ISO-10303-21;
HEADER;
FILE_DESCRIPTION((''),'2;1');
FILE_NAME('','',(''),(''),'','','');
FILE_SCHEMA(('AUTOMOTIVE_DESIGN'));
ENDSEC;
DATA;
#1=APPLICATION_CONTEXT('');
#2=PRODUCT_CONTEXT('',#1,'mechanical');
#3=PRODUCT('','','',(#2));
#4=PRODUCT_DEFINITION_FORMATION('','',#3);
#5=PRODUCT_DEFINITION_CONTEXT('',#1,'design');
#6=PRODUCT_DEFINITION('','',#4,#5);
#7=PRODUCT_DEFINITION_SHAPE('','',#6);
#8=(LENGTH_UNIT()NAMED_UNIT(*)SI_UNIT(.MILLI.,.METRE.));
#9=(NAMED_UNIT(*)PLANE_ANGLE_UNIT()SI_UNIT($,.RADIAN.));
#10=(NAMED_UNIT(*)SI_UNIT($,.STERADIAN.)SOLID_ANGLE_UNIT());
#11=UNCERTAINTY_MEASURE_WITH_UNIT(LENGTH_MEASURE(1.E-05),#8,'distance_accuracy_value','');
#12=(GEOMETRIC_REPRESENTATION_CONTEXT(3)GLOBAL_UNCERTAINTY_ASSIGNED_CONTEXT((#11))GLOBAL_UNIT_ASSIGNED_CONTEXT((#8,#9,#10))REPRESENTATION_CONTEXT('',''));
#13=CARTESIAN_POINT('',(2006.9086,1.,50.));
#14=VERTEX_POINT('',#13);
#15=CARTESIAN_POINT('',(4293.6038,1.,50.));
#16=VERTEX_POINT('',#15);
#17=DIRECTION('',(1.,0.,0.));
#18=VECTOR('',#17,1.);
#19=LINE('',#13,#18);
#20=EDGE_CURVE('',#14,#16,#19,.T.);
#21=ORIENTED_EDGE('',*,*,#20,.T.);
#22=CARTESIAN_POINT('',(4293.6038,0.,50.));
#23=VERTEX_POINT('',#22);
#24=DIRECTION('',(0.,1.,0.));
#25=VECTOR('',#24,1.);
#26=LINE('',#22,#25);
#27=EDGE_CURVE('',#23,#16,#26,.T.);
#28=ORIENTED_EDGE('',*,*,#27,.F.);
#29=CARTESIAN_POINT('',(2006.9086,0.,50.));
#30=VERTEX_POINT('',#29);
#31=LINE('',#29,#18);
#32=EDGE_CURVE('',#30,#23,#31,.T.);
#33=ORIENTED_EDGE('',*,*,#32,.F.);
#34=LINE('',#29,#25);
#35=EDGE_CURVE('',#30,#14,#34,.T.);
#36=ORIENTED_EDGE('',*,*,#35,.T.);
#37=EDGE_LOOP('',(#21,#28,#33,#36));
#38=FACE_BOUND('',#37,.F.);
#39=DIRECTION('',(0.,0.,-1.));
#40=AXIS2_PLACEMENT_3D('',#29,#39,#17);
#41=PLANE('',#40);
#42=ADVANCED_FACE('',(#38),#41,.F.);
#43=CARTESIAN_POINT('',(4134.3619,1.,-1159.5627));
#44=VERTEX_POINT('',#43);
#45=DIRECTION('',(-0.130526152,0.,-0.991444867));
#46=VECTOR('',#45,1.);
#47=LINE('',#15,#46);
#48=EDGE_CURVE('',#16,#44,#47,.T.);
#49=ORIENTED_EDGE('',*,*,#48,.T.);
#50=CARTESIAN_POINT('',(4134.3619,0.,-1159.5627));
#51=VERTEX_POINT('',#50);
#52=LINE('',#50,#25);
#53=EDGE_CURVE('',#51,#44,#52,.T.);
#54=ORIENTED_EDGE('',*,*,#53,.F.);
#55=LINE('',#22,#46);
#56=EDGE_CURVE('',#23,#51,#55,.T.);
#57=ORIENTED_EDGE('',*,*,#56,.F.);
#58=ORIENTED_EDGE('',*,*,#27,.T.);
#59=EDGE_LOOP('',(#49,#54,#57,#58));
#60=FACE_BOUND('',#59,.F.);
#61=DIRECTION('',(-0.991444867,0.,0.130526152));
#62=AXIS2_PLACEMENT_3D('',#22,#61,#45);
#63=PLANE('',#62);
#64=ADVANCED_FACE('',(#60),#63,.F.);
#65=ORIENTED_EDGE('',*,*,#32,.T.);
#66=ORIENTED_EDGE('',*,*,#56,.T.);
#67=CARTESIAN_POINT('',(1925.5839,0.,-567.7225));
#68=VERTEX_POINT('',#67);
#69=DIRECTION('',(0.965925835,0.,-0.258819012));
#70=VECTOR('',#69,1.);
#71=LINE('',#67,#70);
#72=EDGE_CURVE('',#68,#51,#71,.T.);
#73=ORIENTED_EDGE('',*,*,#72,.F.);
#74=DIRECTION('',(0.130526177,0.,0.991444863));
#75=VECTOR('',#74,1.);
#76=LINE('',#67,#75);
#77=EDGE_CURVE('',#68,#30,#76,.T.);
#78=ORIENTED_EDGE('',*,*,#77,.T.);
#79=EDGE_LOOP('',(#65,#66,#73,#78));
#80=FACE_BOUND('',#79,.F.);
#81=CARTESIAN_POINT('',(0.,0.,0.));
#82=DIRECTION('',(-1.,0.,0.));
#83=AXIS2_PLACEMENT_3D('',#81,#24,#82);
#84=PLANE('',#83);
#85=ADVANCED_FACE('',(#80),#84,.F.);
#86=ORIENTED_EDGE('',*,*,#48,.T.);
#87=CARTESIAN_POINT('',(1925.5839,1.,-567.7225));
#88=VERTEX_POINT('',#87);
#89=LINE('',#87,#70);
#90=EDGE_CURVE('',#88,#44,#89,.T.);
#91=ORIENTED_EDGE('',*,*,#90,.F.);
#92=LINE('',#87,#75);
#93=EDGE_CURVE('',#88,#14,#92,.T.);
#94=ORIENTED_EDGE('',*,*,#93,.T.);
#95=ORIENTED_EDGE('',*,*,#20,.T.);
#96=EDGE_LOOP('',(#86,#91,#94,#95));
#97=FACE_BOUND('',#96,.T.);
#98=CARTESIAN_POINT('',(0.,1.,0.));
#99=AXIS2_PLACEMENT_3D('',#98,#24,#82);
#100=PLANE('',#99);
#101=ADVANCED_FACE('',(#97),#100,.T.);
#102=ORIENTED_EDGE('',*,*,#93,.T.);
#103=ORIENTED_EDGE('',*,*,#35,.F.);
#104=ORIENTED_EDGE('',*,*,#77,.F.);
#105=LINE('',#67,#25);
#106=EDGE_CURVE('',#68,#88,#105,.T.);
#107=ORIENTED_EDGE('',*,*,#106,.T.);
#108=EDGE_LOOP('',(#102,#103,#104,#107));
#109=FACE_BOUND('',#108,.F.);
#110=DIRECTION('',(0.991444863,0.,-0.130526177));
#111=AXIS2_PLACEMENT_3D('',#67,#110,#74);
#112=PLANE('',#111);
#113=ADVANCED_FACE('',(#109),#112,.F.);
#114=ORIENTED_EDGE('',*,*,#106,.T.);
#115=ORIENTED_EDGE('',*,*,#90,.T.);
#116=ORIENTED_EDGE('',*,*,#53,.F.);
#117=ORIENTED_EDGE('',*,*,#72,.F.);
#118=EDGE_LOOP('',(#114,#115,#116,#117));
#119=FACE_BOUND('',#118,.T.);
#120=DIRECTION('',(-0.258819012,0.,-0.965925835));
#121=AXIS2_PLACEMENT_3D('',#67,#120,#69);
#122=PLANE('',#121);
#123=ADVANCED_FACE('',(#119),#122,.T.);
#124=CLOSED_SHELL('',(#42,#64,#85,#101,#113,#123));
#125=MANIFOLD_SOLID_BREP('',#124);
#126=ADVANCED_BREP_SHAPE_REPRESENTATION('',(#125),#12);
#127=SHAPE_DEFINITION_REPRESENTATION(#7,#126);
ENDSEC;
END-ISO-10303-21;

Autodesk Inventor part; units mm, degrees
ref_plane "YZ Plane" through (0, 0, 0) normal (1, 0, 0) x (0, 1, 0)
ref_plane "XZ Plane" through (0, 0, 0) normal (0, 1, 0) x (-1, 0, 0)
ref_plane "XY Plane" through (0, 0, 0) normal (0, 0, 1) x (1, 0, 0)
sketch "Sketch1" plane through (0, 0, 0) normal (0, 1, 0) x (-1, 0, 0)
  line L0 (0, 0) -> (-4300, 0) construction
  line L1 (0, 0) -> (-4153.4811, -1112.9219) construction
  line L2 (0, 0) -> (4300, 0) construction
  line L3 (-4300, 0) -> (-4200, 0) construction
  line L4 (-2006.9086, 50) -> (-4293.6038, 50)
  line L5 (-4153.4811, -1112.9219) -> (-3780.7254, -1112.9219) construction
  line L6 (-1925.5839, -567.7225) -> (-4134.3619, -1159.5627)
  line L7 (-1925.5839, -567.7225) -> (-2006.9086, 50)
  line L8 (-4293.6038, 50) -> (-4134.3619, -1159.5627)
  dimension "d0" = 4300
  dimension "d1" = 4300
  dimension "d2" = 165
  dimension "d5" = 50
  dimension "d7" = 50
  dimension "d11" = 1220
extrude "Extrusion1" add sketch "Sketch1" along normal blind 1
properties part number "panelBflat_SA"
